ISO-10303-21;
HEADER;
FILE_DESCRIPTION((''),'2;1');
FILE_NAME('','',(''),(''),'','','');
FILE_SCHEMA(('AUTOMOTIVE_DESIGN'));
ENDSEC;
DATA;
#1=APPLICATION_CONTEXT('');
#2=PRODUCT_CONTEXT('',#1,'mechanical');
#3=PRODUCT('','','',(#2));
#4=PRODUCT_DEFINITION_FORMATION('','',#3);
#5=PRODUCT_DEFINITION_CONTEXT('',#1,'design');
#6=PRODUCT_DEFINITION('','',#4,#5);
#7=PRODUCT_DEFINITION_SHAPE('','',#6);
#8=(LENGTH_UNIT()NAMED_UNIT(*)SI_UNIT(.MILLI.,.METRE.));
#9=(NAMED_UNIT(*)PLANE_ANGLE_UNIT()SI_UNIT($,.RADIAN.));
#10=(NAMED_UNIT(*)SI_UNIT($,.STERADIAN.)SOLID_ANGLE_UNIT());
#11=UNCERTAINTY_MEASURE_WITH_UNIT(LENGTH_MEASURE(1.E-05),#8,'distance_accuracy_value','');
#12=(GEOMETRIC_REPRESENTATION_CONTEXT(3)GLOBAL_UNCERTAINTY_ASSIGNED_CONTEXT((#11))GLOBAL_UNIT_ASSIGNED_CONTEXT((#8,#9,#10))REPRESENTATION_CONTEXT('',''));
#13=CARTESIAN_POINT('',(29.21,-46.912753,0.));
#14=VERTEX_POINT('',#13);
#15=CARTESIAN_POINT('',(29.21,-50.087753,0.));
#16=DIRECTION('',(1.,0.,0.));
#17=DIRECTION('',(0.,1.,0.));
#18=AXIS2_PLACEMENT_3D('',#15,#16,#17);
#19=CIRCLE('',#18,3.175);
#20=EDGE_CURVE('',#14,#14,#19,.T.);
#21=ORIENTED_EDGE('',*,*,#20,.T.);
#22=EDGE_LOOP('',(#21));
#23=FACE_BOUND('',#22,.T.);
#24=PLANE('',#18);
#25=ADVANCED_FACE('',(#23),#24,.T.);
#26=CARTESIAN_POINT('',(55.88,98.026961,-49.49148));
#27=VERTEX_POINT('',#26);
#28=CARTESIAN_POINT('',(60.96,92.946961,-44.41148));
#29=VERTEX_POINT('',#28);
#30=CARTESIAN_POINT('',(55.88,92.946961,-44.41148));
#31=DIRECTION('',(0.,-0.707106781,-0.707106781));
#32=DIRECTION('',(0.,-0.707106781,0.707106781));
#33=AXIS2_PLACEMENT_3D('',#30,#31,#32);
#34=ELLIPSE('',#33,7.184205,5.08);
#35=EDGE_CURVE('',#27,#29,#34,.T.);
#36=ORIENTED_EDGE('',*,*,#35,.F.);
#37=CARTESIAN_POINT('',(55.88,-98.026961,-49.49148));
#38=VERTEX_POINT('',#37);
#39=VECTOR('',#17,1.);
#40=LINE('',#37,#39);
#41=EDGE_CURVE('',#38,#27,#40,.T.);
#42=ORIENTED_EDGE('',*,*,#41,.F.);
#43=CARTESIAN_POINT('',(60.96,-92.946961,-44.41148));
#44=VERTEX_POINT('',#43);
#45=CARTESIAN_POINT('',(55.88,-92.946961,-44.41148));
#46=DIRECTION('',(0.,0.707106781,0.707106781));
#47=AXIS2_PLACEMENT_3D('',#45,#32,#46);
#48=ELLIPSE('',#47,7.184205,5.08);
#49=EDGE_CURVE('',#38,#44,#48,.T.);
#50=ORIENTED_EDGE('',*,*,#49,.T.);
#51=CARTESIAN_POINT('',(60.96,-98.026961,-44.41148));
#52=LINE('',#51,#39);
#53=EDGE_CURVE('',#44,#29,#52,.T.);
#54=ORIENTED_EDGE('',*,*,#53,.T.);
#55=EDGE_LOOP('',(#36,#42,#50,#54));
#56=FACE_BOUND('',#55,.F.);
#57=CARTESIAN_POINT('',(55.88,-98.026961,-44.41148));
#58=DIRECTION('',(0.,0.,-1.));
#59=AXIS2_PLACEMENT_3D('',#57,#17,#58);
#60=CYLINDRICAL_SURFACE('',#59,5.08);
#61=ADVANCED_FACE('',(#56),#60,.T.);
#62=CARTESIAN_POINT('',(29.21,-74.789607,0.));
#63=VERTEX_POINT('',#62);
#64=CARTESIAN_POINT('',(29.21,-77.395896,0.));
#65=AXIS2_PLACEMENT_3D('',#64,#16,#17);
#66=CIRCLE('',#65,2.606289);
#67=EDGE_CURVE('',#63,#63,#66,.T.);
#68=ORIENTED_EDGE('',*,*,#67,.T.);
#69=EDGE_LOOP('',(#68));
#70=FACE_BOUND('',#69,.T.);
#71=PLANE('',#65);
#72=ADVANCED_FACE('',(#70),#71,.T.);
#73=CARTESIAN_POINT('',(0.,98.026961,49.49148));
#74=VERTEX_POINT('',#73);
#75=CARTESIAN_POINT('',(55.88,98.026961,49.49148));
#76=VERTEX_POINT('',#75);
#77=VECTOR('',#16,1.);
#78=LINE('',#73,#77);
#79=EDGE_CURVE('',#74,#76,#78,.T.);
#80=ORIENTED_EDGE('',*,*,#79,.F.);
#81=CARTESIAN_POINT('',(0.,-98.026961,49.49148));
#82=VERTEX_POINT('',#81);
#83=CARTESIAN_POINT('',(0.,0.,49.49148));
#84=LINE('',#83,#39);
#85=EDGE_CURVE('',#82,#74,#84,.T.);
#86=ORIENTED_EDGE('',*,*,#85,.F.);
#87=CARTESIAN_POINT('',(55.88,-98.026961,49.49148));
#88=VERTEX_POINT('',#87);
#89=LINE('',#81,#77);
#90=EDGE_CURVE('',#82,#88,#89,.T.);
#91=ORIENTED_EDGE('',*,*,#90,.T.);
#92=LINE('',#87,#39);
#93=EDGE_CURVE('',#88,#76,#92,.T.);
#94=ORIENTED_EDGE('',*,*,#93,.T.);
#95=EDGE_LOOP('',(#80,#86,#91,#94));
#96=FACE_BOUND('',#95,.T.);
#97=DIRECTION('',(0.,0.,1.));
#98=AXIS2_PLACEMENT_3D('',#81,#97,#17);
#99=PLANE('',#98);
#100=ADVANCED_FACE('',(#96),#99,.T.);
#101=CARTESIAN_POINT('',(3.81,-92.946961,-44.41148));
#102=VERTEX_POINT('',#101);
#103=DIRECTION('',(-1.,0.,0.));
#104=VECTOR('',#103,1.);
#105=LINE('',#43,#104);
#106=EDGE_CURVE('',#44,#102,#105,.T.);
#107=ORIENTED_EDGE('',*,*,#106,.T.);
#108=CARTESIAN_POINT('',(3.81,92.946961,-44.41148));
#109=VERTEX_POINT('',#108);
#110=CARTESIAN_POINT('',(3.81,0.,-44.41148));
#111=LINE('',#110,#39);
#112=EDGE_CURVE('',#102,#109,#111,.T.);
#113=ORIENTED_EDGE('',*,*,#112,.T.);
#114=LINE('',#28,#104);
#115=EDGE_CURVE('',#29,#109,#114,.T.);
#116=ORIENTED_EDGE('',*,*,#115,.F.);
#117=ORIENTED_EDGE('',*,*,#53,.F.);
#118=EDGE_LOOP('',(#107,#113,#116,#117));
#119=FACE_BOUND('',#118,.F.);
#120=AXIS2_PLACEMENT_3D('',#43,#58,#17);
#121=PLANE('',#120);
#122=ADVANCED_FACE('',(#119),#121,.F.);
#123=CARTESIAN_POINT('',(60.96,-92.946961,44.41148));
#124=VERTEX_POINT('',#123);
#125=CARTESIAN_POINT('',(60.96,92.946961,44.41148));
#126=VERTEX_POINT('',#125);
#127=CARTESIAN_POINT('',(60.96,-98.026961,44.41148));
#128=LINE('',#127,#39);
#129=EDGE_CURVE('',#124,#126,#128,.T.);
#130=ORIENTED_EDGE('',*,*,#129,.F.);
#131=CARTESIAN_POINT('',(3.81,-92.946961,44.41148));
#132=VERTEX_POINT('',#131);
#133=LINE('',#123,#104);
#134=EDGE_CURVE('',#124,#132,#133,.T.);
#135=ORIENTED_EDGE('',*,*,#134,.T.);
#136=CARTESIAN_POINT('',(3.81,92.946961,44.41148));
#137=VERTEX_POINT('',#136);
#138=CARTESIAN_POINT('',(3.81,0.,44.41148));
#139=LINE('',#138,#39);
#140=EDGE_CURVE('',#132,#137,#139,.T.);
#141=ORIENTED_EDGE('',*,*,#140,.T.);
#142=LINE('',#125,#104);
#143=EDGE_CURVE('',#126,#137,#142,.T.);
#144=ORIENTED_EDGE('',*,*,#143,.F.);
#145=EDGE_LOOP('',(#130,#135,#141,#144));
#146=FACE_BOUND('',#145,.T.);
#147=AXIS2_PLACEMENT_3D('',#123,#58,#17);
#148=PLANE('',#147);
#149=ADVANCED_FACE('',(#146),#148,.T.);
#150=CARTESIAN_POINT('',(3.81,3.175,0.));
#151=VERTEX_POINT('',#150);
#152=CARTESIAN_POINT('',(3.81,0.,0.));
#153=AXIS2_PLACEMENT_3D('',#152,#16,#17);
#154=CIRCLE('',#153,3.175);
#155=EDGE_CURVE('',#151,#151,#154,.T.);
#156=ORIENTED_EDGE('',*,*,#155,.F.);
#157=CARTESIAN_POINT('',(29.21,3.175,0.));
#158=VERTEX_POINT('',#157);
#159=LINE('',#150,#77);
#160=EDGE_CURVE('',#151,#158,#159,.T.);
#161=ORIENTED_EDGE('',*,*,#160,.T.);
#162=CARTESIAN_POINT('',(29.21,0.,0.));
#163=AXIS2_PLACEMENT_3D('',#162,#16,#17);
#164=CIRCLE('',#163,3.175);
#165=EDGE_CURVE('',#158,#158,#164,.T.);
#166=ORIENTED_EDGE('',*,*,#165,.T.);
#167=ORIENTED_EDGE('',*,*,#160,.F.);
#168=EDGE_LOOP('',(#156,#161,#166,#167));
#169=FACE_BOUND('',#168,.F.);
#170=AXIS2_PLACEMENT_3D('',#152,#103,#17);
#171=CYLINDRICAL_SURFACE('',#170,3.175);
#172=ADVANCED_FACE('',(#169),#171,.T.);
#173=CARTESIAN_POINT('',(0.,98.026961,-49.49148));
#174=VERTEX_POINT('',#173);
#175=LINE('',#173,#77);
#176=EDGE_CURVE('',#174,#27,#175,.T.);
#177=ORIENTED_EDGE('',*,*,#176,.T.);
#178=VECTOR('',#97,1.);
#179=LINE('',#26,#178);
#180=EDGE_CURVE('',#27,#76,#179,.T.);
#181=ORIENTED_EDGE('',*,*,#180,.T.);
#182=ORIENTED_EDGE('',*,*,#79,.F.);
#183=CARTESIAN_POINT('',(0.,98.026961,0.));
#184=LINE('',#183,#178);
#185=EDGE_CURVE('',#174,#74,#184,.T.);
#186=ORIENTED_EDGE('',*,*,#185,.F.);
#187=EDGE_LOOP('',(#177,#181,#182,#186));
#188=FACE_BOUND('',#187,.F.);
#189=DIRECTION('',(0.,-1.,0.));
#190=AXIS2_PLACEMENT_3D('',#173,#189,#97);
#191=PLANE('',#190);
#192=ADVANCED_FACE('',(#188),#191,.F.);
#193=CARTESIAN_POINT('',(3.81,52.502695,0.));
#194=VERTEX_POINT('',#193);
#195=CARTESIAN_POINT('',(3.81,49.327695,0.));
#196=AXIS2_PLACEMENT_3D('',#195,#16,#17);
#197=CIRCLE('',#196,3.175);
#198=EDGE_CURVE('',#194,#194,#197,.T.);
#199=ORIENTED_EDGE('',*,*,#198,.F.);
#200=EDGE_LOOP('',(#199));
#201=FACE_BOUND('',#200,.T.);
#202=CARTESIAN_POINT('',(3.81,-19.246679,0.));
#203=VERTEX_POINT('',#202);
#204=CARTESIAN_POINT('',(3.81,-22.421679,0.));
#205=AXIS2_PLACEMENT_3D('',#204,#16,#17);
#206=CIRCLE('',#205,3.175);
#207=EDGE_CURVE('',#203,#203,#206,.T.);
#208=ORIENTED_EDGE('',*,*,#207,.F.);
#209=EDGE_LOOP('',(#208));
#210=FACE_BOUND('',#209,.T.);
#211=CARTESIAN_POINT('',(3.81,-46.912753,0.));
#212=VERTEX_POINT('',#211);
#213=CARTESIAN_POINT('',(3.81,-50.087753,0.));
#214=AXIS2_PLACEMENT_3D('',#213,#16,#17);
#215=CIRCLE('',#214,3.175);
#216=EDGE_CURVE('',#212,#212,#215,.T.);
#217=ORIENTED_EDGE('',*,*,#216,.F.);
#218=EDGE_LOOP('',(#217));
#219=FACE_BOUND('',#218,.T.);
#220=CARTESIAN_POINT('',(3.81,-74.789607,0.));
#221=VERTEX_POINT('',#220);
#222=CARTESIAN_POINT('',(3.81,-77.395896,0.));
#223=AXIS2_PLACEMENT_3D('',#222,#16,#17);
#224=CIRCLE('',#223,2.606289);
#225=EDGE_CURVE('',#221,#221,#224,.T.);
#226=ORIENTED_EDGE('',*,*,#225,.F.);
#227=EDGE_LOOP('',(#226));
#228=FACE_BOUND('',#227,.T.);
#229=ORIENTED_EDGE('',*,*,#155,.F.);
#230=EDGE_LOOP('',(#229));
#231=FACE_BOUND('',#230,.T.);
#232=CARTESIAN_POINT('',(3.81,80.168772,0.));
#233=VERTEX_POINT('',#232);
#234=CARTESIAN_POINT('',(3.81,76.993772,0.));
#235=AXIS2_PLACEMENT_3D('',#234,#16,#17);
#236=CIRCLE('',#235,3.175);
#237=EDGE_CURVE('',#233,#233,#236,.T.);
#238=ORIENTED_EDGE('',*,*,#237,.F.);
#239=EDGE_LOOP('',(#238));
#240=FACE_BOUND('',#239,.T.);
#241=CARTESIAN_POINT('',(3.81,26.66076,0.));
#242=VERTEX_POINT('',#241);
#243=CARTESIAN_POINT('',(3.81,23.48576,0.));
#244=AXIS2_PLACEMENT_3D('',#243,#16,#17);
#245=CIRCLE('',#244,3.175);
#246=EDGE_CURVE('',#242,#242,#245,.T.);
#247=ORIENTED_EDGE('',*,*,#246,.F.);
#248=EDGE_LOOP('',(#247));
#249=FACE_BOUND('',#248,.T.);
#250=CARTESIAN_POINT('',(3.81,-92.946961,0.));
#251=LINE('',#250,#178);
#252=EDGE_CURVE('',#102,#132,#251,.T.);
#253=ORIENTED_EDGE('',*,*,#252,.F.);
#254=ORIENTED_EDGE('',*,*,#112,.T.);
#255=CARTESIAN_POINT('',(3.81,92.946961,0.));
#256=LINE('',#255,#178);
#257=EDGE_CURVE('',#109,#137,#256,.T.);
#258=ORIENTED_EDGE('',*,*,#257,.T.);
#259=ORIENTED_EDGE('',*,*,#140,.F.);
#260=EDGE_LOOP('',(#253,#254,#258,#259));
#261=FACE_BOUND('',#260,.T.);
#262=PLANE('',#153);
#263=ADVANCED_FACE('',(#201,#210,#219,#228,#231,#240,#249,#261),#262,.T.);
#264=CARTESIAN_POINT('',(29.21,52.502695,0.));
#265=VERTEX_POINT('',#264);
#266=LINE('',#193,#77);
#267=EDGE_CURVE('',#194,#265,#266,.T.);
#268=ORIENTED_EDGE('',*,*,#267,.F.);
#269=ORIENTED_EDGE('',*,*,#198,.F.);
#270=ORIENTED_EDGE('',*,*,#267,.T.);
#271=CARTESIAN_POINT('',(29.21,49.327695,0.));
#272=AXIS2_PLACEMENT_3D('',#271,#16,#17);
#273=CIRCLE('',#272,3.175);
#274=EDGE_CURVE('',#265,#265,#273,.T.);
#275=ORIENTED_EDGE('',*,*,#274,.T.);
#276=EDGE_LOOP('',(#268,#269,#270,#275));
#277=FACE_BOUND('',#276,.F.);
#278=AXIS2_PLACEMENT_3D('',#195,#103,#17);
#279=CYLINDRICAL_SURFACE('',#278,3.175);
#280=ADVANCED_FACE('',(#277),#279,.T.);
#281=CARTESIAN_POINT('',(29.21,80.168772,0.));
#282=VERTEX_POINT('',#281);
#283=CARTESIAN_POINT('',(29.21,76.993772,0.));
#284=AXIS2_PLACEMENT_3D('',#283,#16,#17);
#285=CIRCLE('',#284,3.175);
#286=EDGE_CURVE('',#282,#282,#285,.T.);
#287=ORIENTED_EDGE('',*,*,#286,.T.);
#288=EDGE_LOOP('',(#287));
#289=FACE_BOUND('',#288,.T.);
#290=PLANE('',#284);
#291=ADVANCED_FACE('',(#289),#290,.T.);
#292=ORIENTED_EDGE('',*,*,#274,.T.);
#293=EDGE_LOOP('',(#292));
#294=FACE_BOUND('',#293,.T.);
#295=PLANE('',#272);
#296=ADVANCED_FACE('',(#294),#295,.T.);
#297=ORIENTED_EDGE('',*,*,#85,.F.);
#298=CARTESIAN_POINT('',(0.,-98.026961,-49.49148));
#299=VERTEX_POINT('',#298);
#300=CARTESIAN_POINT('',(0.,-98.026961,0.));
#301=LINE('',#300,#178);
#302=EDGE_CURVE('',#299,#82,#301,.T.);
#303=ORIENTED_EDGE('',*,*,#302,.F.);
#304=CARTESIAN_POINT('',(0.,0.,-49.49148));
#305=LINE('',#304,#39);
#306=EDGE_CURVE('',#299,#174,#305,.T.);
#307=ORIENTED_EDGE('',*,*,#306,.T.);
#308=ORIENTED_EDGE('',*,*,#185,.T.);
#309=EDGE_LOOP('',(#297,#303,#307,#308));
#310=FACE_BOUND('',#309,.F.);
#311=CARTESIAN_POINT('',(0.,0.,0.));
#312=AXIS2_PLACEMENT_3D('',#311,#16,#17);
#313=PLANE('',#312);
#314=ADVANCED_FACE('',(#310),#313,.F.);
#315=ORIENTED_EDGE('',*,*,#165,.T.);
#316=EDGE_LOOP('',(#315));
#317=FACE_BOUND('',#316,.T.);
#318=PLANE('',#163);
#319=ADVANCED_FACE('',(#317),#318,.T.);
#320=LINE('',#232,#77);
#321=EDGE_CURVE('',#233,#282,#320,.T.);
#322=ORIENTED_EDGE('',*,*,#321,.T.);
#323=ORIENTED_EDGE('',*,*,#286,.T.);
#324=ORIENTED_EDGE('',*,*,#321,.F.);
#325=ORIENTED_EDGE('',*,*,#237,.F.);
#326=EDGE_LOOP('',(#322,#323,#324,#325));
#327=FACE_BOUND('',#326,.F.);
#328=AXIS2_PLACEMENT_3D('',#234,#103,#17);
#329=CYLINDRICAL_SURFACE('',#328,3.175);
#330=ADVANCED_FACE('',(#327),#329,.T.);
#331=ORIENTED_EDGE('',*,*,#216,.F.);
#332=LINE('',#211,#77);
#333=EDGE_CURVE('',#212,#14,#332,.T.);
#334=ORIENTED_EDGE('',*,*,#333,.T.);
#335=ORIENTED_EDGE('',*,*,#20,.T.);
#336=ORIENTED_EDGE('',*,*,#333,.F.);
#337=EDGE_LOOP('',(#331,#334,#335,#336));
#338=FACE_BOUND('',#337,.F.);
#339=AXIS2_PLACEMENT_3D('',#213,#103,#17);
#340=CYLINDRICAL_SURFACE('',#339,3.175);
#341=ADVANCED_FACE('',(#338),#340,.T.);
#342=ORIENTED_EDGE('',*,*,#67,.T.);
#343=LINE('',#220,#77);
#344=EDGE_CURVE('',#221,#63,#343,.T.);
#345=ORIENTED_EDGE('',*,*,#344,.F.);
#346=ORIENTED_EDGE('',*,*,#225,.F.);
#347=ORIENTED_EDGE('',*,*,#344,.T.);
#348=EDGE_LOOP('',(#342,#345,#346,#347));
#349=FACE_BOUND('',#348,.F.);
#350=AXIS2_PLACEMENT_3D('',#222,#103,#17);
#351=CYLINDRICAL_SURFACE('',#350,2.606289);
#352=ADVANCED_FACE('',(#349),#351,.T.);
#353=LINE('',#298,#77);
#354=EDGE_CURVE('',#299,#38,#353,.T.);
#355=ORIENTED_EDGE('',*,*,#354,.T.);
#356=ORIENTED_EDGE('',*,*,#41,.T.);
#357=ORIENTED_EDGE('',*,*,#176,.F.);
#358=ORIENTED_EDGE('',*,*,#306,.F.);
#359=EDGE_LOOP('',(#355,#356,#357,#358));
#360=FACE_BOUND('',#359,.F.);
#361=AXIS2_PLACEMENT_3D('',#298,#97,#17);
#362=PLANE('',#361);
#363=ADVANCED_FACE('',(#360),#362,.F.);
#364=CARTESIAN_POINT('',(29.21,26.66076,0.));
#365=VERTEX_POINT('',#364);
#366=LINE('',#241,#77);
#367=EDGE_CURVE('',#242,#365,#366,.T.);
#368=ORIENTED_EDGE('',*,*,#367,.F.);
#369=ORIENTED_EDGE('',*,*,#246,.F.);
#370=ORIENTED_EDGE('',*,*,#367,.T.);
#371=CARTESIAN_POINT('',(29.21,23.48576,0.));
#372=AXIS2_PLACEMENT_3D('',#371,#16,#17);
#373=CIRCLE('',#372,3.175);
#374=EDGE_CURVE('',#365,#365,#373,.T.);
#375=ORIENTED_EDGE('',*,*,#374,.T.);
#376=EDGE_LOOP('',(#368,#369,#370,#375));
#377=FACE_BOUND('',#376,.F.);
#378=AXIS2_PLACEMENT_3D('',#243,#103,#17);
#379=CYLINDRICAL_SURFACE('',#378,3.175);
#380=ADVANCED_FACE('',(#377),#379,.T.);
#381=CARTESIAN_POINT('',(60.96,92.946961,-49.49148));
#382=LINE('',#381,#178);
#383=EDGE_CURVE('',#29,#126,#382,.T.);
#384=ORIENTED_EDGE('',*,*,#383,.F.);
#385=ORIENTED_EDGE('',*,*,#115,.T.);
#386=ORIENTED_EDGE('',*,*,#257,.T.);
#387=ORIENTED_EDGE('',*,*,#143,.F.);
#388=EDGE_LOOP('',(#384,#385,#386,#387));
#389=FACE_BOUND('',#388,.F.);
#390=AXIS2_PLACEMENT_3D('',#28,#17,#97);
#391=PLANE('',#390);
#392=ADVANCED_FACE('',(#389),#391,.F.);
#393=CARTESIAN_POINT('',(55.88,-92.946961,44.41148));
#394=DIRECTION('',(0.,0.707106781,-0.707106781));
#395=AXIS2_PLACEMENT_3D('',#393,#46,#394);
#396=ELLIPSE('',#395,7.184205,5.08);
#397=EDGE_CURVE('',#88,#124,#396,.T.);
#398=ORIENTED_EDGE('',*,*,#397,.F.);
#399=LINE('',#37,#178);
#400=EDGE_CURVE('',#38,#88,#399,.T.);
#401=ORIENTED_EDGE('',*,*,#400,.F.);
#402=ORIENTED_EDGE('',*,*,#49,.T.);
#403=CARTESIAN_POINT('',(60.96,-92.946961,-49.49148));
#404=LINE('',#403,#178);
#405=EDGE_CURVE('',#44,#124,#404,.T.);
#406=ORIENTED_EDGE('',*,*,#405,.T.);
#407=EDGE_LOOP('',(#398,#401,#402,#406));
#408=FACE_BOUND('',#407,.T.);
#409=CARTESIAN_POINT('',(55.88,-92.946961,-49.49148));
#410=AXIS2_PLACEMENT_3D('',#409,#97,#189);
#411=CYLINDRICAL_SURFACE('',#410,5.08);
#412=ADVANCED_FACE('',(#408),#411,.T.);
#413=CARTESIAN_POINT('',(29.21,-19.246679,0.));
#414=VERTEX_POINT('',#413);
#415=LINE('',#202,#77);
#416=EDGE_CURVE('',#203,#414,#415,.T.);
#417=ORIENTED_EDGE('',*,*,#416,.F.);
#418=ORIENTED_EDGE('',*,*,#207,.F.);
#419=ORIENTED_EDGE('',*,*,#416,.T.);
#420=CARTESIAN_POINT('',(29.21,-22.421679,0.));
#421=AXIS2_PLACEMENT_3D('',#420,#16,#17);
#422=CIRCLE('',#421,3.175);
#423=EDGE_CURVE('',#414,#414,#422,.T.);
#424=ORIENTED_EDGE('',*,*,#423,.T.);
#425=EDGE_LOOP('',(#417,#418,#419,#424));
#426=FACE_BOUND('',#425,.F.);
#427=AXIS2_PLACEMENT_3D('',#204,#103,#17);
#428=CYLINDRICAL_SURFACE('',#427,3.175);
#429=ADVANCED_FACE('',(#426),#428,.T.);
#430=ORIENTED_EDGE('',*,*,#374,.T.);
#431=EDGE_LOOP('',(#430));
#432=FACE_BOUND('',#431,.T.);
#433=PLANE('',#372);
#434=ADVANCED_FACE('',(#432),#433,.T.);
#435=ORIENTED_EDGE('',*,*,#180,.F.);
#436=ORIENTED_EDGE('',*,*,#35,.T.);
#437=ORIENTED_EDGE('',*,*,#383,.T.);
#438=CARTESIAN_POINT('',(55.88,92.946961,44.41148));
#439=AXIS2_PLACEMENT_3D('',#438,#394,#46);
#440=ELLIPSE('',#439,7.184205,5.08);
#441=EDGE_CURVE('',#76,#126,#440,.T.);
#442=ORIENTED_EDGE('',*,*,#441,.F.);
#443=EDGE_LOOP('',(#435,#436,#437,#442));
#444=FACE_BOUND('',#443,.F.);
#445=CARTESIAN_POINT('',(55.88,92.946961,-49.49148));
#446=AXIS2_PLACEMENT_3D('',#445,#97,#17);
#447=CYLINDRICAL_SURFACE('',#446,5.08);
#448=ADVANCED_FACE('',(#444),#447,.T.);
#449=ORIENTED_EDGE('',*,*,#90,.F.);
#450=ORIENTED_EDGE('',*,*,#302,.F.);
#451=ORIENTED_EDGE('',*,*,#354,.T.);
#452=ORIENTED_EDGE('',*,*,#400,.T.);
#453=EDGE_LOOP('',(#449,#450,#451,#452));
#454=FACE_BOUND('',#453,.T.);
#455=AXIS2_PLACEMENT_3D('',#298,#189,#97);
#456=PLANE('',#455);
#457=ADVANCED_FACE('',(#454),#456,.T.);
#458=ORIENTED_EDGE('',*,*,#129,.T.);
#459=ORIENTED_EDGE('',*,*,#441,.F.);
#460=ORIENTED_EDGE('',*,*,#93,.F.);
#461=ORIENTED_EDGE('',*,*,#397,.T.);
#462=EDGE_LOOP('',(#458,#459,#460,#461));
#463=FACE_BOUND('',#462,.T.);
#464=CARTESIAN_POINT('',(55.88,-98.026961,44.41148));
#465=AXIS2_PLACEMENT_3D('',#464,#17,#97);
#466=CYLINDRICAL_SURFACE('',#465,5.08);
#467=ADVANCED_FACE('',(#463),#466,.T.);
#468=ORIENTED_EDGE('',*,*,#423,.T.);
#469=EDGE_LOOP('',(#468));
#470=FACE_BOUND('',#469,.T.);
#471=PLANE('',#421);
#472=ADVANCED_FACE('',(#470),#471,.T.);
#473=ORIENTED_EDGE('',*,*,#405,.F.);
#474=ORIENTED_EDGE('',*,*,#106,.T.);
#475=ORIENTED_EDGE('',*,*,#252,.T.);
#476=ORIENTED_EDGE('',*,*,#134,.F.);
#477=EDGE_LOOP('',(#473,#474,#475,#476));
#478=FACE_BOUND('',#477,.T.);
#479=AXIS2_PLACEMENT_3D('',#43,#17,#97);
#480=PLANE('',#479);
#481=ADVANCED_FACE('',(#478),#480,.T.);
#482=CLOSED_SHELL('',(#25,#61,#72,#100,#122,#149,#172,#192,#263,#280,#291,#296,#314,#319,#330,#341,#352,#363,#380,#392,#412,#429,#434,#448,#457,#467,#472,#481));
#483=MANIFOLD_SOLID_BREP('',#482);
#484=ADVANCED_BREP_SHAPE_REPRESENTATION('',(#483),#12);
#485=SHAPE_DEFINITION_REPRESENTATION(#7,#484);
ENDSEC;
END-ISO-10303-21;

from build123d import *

# Parameters (mm, degrees)
F0_W     = 196.053922
F0_H     = 98.98296
F1_DEPTH = 60.96
F2_R     = 5.08
F3_W     = 185.893922
F3_H     = 88.82296
F4_DEPTH = 57.15
F6_R     = 3.175
F6_R_2   = 2.606289
F7_DEPTH = 25.4


with BuildPart() as f1:
    # F0 (on Right) → F1 (new body)
    with BuildSketch(Plane.YZ):
        Rectangle(F0_W, F0_H)
    extrude(amount=F1_DEPTH)

    # F2
    f2_edges = [f1.edges().sort_by_distance(p)[0] for p in [
        (60.96, 98.026961, 0),
        (60.96, 0, 49.49148),
        (60.96, -98.026961, 0),
        (60.96, 0, -49.49148),
    ]]
    fillet(f2_edges, radius=F2_R)

    # F3 (on face) → F4 (cut)
    with BuildSketch(Plane.YZ.offset(60.96)):
        Rectangle(F3_W, F3_H)
    extrude(amount=-F4_DEPTH, mode=Mode.SUBTRACT)

    # F6 (on face) → F7 (join)
    with BuildSketch(Plane.YZ.offset(3.81)):
        Circle(F6_R)
        with Locations((23.48576, 0)):
            Circle(F6_R)
        with Locations((49.327695, 0)):
            Circle(F6_R)
        with Locations((76.993772, 0)):
            Circle(F6_R)
        with Locations((-22.421679, 0)):
            Circle(F6_R)
        with Locations((-50.087753, 0)):
            Circle(F6_R)
        with Locations((-77.395896, 0)):
            Circle(F6_R_2)
    extrude(amount=F7_DEPTH)


solid = f1.part
